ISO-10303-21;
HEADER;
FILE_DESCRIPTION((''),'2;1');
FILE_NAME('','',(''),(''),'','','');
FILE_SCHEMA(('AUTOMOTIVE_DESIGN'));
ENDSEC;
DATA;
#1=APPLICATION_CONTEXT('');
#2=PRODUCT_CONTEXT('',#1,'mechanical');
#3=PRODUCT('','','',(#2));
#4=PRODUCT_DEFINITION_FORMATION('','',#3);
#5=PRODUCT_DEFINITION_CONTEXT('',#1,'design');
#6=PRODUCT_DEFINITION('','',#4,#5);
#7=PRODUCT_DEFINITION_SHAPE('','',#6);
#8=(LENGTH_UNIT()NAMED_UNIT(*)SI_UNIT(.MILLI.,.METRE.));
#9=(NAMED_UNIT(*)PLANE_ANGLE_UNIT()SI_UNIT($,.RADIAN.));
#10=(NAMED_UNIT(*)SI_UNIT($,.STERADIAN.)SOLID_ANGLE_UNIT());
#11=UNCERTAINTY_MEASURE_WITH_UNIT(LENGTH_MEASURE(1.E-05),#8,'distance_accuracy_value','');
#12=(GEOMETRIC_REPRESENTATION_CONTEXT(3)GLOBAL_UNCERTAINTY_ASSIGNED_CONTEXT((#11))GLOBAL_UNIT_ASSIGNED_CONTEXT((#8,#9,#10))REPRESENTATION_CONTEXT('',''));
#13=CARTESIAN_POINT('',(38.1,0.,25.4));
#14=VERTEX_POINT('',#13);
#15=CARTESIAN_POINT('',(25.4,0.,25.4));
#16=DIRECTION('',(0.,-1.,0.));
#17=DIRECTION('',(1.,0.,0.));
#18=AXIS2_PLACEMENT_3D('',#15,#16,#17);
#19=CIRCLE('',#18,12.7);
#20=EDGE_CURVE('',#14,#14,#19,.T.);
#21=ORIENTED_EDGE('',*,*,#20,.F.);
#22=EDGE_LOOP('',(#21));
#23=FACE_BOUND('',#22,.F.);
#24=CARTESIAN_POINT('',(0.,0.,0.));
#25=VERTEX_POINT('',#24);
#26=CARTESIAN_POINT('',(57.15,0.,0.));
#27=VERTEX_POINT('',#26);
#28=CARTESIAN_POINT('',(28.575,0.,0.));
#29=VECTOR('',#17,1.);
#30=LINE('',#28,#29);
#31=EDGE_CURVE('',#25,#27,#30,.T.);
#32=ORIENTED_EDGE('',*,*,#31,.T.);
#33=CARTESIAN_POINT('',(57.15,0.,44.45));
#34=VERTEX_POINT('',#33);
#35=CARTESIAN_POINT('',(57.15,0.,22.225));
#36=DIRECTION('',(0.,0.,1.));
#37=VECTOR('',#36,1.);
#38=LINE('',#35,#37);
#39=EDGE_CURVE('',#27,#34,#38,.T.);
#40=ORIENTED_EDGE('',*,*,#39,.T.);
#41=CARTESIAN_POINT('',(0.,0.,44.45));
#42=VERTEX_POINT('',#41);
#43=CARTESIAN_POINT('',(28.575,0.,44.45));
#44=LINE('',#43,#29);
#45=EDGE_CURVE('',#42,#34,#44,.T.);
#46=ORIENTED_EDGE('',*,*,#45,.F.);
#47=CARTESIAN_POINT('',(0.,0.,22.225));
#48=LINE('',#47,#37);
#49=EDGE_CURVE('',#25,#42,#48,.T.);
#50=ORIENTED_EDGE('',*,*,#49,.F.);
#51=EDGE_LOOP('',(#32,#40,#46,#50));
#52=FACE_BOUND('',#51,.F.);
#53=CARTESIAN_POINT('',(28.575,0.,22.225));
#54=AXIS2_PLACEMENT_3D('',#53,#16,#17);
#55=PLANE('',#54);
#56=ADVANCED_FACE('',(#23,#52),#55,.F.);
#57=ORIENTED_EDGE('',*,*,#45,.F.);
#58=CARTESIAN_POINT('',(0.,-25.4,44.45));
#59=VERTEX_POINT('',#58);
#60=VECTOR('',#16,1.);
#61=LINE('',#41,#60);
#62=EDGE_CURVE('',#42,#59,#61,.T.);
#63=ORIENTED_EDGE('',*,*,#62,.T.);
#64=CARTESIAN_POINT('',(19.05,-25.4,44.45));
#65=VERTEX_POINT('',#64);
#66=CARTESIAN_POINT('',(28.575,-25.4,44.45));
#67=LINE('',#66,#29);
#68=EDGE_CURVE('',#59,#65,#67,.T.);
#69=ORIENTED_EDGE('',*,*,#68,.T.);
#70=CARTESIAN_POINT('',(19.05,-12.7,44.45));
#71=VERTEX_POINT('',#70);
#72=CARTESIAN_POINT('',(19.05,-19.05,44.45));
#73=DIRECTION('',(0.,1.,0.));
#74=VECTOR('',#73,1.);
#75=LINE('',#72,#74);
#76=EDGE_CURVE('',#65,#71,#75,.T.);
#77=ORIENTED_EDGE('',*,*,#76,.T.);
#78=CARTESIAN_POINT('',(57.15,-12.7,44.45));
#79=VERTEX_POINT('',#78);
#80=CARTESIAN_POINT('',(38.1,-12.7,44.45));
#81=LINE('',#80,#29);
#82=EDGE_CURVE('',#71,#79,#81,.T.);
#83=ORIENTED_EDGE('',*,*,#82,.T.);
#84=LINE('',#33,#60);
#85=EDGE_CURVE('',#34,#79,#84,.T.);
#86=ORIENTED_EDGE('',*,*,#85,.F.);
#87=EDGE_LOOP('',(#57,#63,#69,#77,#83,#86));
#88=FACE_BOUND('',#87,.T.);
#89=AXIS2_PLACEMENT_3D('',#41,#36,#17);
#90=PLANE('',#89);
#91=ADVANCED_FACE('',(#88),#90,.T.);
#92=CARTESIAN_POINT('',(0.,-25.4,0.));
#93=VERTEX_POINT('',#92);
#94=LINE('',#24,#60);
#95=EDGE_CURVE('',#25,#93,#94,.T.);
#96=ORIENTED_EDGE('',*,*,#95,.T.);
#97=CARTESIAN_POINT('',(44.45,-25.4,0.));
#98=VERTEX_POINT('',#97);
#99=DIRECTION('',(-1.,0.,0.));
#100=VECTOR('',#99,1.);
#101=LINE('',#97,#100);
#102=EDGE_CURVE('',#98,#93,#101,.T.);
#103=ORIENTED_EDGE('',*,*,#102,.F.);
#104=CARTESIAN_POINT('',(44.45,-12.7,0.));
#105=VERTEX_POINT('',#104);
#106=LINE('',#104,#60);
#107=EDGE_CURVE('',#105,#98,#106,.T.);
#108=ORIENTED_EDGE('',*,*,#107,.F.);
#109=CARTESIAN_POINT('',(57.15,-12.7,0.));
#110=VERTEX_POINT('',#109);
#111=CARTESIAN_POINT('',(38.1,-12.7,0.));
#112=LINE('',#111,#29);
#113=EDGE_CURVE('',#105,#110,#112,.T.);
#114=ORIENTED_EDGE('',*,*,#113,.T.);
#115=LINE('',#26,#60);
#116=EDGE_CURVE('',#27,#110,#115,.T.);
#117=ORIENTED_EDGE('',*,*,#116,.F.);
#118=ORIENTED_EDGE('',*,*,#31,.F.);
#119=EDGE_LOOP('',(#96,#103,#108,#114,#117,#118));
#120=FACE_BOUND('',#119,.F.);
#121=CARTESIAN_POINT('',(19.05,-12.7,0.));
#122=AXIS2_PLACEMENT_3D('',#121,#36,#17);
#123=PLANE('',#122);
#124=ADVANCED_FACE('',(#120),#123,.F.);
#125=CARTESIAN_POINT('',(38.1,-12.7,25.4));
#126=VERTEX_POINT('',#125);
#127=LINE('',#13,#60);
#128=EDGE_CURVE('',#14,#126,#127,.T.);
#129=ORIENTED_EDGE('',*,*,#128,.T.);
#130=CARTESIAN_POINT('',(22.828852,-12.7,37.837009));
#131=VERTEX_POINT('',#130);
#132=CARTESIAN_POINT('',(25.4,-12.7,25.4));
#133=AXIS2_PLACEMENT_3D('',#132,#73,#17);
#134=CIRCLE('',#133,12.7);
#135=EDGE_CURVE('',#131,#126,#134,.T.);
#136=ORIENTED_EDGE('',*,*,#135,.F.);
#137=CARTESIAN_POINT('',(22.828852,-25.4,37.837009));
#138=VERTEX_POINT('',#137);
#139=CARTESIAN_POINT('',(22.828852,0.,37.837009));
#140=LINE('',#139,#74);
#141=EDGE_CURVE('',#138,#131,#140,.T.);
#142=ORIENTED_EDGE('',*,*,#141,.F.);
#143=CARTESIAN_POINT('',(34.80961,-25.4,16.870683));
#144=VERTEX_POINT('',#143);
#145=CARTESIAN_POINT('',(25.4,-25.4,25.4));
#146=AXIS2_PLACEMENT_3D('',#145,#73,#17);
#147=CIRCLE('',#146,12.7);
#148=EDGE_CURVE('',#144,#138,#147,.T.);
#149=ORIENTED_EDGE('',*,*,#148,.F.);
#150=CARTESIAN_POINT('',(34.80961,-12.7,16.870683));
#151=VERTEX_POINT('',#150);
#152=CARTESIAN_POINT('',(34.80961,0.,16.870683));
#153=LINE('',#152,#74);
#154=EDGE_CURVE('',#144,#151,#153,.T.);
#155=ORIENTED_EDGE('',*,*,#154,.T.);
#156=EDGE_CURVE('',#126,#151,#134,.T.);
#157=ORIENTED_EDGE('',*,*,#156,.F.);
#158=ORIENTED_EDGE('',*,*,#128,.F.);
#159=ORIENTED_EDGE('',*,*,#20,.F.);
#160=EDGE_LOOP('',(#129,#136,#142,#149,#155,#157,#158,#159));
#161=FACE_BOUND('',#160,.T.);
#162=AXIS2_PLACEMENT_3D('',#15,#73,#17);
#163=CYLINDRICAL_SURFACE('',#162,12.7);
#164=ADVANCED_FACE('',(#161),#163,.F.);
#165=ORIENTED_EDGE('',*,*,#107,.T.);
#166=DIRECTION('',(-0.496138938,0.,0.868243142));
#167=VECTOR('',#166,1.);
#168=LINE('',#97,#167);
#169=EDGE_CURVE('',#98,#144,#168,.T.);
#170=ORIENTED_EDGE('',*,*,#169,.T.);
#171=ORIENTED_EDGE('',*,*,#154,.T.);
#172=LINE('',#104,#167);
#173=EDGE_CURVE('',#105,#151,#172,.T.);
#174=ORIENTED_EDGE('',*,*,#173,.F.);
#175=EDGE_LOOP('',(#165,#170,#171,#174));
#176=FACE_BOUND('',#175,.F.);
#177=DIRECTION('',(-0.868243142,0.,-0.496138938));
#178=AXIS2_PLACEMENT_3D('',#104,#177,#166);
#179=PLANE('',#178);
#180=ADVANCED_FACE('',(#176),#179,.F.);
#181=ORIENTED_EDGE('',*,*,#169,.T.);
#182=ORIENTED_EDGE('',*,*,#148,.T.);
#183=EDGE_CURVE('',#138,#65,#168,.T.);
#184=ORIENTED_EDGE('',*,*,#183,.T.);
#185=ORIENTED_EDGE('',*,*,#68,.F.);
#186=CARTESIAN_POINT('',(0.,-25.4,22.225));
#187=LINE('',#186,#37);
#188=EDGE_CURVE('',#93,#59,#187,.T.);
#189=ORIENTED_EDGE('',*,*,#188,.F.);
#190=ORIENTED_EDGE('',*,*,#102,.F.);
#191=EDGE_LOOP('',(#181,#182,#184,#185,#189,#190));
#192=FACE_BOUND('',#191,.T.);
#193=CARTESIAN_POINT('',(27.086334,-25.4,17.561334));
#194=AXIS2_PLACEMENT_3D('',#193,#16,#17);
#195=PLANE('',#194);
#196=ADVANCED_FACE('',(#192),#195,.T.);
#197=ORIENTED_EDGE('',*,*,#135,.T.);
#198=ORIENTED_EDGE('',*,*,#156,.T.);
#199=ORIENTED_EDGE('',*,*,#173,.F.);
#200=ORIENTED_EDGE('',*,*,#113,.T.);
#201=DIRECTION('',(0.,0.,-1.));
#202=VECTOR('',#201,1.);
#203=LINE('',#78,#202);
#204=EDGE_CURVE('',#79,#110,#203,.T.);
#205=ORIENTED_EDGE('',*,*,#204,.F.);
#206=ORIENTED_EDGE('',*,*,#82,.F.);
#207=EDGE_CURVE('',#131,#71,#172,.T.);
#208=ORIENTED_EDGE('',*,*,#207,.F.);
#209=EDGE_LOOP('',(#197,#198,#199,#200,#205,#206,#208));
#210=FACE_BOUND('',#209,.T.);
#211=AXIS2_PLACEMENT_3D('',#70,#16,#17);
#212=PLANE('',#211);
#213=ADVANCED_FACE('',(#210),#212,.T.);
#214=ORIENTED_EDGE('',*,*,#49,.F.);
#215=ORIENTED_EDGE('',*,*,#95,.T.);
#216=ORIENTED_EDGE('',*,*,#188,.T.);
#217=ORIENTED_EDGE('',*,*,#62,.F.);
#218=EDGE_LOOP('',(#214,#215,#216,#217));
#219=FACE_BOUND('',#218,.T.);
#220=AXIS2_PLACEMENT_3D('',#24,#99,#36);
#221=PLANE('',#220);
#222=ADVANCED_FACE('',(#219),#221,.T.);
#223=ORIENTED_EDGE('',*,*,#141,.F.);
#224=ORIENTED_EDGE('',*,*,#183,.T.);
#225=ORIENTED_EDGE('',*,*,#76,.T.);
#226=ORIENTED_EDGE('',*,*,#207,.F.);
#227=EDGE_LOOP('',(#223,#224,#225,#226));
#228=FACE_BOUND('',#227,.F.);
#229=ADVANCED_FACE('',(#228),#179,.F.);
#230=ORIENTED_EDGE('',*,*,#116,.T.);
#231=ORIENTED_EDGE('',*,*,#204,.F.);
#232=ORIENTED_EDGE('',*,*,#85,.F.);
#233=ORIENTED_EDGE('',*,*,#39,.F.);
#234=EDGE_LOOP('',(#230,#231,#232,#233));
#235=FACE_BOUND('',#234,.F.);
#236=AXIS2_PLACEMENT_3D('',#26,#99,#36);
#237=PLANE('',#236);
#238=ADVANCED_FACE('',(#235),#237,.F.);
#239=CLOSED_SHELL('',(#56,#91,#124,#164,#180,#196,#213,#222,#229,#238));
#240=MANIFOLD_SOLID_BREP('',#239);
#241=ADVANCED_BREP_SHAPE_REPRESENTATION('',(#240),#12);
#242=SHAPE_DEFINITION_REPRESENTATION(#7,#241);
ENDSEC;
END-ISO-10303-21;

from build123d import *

# Parameters (mm, degrees)
F0_W     = 57.15
F0_H     = 44.45
F1_DEPTH = 25.4
F2_W     = 38.1
F2_H     = 12.7
F3_DEPTH = 44.45
F5_DEPTH = 12.7
F6_R     = 12.7
F7_DEPTH = 41.656


with BuildPart() as f1:
    # F0 (on Front) → F1 (new body)
    with BuildSketch(Plane.XZ):
        with Locations((28.575, 22.225)):
            Rectangle(F0_W, F0_H)
    extrude(amount=F1_DEPTH)

    # F2 (on face) → F3 (cut)
    with BuildSketch(Plane.XY.offset(44.45)):
        with Locations((38.1, -19.05)):
            Rectangle(F2_W, F2_H)
    extrude(amount=-F3_DEPTH, mode=Mode.SUBTRACT)

    # F4 (on face) → F5 (join)
    with BuildSketch(Plane.XZ.offset(12.7)):
        Polygon((44.45, 0), (19.05, 44.45), (19.05, 0), align=None)
    extrude(amount=F5_DEPTH)

    # F6 (on Front) → F7 (cut)
    with BuildSketch(Plane.XZ):
        with Locations((25.4, 25.4)):
            Circle(F6_R)
    extrude(amount=F7_DEPTH, mode=Mode.SUBTRACT)


solid = f1.part
